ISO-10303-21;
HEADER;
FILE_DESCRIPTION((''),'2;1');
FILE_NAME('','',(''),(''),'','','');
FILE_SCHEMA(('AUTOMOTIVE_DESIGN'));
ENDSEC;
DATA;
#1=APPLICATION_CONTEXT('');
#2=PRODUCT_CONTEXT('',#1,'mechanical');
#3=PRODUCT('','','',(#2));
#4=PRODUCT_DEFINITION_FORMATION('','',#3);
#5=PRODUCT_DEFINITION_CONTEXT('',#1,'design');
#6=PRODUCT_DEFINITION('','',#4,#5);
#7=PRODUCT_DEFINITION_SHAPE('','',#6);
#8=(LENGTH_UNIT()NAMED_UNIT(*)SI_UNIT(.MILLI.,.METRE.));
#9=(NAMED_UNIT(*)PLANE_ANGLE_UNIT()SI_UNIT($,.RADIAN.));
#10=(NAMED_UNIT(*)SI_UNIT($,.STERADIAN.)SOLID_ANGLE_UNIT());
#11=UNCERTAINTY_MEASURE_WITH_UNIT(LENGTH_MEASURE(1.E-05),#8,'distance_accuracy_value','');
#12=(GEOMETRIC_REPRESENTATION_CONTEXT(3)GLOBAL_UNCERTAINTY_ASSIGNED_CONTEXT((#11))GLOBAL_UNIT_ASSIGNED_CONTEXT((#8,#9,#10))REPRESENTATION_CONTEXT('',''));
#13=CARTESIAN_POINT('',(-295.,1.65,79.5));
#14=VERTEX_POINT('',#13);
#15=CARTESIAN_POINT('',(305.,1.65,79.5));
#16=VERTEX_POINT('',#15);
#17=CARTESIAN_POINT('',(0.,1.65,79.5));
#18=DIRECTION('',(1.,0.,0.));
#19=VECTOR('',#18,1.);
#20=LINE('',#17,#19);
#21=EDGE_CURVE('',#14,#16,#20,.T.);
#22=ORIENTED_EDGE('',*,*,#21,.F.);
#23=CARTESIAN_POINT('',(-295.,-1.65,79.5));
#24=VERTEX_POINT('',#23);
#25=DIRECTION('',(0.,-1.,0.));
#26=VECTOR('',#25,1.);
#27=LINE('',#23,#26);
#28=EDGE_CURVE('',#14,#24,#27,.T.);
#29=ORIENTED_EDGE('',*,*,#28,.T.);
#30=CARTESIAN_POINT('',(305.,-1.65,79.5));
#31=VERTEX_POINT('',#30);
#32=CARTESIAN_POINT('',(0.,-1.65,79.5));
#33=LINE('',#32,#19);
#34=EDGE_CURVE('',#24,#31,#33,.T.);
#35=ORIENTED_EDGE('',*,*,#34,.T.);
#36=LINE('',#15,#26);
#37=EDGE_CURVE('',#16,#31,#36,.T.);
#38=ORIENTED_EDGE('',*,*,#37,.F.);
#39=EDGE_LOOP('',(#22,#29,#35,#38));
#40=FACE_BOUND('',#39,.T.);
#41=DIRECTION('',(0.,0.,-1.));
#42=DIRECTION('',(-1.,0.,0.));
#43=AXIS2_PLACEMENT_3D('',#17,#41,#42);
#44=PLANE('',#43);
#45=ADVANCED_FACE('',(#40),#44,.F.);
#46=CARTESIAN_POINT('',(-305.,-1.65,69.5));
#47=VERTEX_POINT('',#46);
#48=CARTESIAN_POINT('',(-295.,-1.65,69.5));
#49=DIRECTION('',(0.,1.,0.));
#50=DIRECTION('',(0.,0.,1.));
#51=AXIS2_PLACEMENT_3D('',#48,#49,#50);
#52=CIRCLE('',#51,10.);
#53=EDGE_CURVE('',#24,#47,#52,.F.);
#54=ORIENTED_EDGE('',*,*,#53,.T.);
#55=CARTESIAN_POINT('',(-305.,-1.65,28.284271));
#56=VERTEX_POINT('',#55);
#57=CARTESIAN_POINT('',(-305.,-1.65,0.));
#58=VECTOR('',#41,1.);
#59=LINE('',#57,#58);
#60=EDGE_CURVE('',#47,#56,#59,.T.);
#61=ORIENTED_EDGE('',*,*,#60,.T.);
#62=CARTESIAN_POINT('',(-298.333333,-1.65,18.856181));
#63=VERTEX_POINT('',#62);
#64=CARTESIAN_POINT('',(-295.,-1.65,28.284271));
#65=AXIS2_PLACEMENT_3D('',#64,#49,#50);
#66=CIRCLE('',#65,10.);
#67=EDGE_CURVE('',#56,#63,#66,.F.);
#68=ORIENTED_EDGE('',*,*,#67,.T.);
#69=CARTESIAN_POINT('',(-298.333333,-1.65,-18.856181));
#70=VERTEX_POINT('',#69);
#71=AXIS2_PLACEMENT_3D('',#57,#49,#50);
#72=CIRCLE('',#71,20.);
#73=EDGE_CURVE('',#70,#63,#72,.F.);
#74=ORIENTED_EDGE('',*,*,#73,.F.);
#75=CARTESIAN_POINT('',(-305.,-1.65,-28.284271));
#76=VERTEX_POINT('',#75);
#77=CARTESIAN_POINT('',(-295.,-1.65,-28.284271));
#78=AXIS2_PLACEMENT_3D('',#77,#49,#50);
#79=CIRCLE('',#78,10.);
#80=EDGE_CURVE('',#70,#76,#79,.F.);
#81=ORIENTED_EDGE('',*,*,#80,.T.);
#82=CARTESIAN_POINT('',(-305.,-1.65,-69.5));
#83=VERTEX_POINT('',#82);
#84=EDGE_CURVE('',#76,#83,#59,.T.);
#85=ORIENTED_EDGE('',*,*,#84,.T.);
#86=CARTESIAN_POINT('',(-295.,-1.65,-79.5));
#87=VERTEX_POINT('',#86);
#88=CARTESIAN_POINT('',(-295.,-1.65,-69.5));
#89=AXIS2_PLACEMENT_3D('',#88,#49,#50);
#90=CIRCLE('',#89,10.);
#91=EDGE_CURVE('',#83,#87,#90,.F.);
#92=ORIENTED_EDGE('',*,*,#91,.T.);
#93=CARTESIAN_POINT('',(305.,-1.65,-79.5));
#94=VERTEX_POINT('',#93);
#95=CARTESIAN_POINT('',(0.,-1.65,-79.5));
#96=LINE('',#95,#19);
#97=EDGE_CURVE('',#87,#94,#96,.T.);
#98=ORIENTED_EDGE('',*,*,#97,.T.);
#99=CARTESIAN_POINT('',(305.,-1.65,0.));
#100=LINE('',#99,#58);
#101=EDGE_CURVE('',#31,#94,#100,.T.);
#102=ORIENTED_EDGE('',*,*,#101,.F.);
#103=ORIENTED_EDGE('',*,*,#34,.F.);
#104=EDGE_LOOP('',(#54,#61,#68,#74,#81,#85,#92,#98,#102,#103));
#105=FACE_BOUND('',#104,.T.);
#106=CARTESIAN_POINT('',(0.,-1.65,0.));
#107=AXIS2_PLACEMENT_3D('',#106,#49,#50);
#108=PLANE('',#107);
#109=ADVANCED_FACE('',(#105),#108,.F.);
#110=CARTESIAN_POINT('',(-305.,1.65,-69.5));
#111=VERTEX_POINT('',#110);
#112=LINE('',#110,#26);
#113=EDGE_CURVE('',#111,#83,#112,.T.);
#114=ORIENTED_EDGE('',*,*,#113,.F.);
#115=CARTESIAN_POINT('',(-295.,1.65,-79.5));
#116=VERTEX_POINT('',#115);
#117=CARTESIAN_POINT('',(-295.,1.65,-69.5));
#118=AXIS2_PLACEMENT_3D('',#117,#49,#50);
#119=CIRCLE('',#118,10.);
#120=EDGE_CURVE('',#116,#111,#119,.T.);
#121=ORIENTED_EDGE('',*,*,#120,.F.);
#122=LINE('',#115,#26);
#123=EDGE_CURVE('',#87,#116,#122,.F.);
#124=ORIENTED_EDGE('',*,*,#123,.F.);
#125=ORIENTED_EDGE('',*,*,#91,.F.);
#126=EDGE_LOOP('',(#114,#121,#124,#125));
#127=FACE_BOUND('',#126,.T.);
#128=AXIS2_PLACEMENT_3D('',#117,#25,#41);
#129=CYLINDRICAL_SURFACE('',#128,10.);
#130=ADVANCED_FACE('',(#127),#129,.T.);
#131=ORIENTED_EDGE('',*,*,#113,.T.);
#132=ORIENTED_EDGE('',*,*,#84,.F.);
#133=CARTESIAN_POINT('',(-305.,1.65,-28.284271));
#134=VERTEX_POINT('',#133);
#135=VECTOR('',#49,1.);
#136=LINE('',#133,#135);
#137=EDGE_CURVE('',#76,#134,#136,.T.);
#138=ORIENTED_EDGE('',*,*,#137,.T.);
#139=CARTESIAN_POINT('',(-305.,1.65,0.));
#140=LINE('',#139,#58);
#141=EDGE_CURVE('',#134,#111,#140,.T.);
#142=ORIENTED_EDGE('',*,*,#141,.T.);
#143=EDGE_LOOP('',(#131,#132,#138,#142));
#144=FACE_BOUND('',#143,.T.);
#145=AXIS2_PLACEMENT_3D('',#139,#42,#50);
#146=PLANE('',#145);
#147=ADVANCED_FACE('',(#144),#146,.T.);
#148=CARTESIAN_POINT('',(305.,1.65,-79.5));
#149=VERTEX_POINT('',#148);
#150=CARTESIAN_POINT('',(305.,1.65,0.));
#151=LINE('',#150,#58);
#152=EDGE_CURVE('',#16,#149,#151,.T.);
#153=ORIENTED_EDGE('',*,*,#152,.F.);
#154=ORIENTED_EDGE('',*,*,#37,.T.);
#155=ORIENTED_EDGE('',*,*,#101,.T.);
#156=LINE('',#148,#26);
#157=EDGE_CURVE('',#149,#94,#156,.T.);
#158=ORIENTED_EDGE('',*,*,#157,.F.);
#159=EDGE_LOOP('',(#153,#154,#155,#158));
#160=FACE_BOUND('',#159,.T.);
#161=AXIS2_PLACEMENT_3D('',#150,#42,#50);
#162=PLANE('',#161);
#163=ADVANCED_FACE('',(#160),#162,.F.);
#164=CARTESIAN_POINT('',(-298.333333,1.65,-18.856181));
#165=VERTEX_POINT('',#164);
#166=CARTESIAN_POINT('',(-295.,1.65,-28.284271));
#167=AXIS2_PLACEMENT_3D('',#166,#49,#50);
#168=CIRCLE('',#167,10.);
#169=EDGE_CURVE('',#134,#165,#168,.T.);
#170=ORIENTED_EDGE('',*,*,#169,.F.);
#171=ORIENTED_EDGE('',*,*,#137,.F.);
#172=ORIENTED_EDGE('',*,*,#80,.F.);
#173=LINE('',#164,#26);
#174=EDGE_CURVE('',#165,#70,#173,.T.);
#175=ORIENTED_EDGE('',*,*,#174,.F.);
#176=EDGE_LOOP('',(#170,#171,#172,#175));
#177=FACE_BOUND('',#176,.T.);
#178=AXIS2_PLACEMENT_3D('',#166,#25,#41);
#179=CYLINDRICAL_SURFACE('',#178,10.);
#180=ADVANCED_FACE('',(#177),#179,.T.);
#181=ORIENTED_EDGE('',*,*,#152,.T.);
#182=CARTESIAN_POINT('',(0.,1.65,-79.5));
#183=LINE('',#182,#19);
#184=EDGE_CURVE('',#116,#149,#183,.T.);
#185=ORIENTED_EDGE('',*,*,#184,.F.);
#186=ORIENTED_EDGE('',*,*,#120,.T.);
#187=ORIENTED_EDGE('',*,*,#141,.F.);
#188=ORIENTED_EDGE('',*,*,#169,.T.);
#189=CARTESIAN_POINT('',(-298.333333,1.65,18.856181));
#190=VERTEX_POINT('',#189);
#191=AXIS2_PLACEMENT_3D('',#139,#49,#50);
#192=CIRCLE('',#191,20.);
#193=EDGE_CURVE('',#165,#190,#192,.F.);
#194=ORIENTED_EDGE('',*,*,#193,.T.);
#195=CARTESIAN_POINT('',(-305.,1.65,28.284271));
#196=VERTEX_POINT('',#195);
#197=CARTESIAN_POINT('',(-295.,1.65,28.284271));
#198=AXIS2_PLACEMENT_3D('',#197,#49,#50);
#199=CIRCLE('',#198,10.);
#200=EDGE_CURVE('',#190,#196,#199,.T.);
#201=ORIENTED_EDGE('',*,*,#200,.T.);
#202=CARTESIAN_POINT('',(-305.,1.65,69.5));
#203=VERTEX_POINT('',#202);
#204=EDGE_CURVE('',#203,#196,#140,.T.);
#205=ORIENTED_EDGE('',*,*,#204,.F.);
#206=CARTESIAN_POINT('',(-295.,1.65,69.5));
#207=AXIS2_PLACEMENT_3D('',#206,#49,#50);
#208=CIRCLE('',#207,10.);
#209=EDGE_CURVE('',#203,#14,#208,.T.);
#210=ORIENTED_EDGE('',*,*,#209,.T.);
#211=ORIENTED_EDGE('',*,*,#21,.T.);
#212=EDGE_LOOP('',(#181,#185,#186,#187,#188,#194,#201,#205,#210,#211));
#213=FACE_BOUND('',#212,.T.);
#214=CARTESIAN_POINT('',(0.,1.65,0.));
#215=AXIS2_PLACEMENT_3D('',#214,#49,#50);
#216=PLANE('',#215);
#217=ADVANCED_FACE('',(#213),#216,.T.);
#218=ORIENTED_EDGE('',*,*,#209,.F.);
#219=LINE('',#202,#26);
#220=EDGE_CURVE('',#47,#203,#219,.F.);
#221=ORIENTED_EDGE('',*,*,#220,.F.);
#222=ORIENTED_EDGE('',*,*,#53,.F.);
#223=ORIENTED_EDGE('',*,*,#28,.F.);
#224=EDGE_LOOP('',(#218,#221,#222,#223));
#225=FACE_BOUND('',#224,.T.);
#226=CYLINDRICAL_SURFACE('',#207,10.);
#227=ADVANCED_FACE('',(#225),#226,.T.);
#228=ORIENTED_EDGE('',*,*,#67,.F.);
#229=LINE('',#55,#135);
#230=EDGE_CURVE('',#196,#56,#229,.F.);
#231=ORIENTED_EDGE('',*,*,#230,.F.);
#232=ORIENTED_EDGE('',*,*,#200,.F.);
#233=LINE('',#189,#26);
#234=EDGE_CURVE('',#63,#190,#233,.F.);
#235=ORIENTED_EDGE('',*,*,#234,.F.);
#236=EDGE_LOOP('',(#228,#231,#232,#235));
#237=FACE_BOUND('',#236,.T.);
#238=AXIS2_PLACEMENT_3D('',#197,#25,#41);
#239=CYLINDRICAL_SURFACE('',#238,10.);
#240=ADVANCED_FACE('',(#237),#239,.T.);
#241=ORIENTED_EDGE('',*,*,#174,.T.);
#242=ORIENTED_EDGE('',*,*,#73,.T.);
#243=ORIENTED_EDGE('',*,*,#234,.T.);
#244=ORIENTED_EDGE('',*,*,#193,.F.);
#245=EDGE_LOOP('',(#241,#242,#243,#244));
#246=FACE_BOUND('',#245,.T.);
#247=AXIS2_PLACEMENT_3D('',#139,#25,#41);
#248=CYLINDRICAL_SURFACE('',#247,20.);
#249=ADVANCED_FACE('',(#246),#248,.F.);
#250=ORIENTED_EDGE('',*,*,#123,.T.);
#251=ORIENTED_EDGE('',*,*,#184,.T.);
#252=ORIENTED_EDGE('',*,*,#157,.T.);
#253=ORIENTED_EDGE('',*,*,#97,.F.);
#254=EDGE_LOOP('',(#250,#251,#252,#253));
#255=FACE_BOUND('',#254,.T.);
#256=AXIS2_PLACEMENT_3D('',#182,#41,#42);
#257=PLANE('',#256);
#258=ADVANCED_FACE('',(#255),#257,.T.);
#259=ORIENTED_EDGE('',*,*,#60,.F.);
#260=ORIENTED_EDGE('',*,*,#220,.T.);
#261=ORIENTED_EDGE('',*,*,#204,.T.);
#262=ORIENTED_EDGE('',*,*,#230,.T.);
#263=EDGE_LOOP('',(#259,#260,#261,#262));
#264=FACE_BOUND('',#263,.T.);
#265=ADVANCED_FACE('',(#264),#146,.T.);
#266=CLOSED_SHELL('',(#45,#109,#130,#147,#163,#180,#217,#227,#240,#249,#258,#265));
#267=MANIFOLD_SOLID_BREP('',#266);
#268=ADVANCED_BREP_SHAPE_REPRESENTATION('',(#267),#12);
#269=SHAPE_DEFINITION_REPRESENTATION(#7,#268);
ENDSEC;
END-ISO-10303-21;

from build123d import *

# Parameters (mm, degrees)
BOSS_EXTRUDE1_DEPTH = 1.65
FILLET1_R           = 10


with BuildPart() as part:
    # Sketch1 → Boss-Extrude1 (new, symmetric)
    with BuildSketch(Plane(origin=(0, 0, 0), x_dir=(1, 0, 0), z_dir=(0, 1, 0))):
        with BuildLine():
            Line((-305, -20), (-305, -79.5))
            Line((-305, -79.5), (305, -79.5))
            Line((305, -79.5), (305, 79.5))
            Line((305, 79.5), (-305, 79.5))
            Line((-305, 79.5), (-305, 20))
            ThreePointArc((-305, 20), (-285, 0), (-305, -20))
        make_face()
    extrude(amount=BOSS_EXTRUDE1_DEPTH, both=True)

    # Fillet1
    fillet1_edges = [part.edges().sort_by_distance(p)[0] for p in [
        (-305, 0, -79.5),
        (-305, 0, 79.5),
        (-305, 0, 20),
        (-305, 0, -20),
    ]]
    fillet(fillet1_edges, radius=FILLET1_R)


solid = part.part
